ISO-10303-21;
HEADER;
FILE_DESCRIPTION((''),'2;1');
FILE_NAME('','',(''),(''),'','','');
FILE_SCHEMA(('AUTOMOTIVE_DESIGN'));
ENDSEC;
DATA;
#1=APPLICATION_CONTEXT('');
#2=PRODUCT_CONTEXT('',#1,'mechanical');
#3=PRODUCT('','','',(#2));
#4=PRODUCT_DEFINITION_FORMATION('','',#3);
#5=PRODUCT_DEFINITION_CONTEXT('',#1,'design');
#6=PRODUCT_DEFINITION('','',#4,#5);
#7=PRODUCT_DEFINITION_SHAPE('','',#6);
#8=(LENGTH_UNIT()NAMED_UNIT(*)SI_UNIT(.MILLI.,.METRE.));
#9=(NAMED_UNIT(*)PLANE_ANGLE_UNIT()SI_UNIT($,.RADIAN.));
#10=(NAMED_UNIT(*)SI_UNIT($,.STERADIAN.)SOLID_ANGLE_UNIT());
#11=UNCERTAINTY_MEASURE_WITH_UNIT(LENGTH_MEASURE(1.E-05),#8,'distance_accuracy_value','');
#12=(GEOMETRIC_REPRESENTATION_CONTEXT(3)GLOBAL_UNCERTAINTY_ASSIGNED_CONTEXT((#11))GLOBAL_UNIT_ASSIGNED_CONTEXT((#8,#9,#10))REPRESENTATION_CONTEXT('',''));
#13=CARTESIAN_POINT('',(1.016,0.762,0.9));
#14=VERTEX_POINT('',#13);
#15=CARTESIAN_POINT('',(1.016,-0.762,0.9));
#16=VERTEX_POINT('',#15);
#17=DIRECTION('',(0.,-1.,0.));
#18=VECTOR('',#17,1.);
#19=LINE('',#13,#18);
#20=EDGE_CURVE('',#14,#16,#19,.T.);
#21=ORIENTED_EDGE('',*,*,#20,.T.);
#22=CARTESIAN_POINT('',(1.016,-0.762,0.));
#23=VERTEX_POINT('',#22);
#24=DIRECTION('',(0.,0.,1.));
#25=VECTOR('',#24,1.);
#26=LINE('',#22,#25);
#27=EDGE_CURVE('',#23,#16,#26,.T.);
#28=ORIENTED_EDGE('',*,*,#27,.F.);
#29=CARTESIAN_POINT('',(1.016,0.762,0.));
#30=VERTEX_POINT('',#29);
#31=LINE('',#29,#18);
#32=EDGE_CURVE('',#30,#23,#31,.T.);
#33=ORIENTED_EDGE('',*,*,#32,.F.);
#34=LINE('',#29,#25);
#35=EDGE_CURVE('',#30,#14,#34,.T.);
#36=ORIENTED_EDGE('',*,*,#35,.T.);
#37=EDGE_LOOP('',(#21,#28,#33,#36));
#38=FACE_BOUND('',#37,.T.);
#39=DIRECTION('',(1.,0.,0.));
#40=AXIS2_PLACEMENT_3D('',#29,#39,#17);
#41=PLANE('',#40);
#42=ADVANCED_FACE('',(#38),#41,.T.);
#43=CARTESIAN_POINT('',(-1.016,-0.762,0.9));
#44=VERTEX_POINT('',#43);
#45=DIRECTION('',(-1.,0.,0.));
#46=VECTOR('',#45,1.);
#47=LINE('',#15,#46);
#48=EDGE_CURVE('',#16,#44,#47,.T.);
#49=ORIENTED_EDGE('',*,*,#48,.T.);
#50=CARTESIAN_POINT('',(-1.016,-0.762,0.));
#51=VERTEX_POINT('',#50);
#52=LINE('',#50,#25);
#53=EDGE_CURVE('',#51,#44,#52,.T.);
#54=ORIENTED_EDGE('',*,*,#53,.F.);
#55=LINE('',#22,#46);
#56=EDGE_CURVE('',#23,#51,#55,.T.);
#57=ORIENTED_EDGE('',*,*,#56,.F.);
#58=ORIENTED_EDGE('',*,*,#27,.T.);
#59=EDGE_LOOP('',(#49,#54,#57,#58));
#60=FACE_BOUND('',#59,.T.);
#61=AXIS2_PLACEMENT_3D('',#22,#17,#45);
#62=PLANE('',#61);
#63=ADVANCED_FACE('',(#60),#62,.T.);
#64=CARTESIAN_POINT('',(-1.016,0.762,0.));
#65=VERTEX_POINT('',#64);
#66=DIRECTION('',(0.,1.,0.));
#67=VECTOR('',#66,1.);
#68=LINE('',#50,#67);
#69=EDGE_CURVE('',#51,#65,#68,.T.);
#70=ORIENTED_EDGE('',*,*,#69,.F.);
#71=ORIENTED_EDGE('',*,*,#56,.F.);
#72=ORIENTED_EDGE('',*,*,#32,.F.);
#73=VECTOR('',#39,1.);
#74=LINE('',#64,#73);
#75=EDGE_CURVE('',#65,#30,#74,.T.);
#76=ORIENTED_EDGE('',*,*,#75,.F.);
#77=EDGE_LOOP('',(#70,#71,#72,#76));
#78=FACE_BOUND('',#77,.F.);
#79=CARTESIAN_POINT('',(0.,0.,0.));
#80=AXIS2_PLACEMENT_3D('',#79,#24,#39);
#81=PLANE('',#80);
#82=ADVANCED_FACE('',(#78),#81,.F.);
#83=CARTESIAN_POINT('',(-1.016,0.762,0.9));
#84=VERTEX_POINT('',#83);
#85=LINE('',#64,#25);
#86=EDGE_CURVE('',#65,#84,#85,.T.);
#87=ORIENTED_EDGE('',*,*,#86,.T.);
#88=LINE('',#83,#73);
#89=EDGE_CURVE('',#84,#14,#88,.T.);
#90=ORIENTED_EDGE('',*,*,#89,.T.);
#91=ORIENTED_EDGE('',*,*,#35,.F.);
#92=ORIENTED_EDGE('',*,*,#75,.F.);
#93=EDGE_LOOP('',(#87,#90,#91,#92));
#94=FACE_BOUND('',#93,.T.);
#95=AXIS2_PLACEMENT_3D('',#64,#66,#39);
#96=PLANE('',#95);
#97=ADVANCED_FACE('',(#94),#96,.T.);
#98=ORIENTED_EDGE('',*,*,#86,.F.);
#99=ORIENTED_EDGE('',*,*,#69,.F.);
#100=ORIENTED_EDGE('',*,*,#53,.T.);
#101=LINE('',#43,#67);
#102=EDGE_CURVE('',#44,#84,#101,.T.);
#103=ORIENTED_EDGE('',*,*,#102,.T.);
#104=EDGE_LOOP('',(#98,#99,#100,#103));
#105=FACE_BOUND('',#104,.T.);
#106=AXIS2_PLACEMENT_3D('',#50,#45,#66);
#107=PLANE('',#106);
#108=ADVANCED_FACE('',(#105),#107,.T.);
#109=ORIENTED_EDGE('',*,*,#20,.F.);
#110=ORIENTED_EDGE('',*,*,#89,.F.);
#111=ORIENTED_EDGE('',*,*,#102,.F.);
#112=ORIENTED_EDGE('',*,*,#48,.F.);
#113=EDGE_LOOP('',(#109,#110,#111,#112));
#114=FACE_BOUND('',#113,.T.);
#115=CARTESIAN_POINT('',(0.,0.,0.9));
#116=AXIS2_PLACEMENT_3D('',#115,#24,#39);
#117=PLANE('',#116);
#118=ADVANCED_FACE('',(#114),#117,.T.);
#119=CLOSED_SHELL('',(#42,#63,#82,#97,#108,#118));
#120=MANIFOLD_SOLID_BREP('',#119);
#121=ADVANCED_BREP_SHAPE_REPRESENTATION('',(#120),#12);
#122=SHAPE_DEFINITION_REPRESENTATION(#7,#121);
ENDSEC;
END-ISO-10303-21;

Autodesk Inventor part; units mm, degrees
ref_plane "YZ Plane" through (0, 0, 0) normal (1, 0, 0) x (0, 1, 0)
ref_plane "XZ Plane" through (0, 0, 0) normal (0, 1, 0) x (-1, 0, 0)
ref_plane "XY Plane" through (0, 0, 0) normal (0, 0, 1) x (1, 0, 0)
sketch "C0805, 10uF_65" plane through (0, 0, 0) normal (0, 0, 1) x (1, 0, 0)
  line L0 (1.016, -0.762) -> (-1.016, -0.762)
  line L1 (-1.016, -0.762) -> (-1.016, 0.762)
  line L2 (-1.016, 0.762) -> (1.016, 0.762)
  line L3 (1.016, 0.762) -> (1.016, -0.762)
extrude "Extrusion1" add sketch "C0805, 10uF_65" along normal blind 0.9
properties part number "10uF"
